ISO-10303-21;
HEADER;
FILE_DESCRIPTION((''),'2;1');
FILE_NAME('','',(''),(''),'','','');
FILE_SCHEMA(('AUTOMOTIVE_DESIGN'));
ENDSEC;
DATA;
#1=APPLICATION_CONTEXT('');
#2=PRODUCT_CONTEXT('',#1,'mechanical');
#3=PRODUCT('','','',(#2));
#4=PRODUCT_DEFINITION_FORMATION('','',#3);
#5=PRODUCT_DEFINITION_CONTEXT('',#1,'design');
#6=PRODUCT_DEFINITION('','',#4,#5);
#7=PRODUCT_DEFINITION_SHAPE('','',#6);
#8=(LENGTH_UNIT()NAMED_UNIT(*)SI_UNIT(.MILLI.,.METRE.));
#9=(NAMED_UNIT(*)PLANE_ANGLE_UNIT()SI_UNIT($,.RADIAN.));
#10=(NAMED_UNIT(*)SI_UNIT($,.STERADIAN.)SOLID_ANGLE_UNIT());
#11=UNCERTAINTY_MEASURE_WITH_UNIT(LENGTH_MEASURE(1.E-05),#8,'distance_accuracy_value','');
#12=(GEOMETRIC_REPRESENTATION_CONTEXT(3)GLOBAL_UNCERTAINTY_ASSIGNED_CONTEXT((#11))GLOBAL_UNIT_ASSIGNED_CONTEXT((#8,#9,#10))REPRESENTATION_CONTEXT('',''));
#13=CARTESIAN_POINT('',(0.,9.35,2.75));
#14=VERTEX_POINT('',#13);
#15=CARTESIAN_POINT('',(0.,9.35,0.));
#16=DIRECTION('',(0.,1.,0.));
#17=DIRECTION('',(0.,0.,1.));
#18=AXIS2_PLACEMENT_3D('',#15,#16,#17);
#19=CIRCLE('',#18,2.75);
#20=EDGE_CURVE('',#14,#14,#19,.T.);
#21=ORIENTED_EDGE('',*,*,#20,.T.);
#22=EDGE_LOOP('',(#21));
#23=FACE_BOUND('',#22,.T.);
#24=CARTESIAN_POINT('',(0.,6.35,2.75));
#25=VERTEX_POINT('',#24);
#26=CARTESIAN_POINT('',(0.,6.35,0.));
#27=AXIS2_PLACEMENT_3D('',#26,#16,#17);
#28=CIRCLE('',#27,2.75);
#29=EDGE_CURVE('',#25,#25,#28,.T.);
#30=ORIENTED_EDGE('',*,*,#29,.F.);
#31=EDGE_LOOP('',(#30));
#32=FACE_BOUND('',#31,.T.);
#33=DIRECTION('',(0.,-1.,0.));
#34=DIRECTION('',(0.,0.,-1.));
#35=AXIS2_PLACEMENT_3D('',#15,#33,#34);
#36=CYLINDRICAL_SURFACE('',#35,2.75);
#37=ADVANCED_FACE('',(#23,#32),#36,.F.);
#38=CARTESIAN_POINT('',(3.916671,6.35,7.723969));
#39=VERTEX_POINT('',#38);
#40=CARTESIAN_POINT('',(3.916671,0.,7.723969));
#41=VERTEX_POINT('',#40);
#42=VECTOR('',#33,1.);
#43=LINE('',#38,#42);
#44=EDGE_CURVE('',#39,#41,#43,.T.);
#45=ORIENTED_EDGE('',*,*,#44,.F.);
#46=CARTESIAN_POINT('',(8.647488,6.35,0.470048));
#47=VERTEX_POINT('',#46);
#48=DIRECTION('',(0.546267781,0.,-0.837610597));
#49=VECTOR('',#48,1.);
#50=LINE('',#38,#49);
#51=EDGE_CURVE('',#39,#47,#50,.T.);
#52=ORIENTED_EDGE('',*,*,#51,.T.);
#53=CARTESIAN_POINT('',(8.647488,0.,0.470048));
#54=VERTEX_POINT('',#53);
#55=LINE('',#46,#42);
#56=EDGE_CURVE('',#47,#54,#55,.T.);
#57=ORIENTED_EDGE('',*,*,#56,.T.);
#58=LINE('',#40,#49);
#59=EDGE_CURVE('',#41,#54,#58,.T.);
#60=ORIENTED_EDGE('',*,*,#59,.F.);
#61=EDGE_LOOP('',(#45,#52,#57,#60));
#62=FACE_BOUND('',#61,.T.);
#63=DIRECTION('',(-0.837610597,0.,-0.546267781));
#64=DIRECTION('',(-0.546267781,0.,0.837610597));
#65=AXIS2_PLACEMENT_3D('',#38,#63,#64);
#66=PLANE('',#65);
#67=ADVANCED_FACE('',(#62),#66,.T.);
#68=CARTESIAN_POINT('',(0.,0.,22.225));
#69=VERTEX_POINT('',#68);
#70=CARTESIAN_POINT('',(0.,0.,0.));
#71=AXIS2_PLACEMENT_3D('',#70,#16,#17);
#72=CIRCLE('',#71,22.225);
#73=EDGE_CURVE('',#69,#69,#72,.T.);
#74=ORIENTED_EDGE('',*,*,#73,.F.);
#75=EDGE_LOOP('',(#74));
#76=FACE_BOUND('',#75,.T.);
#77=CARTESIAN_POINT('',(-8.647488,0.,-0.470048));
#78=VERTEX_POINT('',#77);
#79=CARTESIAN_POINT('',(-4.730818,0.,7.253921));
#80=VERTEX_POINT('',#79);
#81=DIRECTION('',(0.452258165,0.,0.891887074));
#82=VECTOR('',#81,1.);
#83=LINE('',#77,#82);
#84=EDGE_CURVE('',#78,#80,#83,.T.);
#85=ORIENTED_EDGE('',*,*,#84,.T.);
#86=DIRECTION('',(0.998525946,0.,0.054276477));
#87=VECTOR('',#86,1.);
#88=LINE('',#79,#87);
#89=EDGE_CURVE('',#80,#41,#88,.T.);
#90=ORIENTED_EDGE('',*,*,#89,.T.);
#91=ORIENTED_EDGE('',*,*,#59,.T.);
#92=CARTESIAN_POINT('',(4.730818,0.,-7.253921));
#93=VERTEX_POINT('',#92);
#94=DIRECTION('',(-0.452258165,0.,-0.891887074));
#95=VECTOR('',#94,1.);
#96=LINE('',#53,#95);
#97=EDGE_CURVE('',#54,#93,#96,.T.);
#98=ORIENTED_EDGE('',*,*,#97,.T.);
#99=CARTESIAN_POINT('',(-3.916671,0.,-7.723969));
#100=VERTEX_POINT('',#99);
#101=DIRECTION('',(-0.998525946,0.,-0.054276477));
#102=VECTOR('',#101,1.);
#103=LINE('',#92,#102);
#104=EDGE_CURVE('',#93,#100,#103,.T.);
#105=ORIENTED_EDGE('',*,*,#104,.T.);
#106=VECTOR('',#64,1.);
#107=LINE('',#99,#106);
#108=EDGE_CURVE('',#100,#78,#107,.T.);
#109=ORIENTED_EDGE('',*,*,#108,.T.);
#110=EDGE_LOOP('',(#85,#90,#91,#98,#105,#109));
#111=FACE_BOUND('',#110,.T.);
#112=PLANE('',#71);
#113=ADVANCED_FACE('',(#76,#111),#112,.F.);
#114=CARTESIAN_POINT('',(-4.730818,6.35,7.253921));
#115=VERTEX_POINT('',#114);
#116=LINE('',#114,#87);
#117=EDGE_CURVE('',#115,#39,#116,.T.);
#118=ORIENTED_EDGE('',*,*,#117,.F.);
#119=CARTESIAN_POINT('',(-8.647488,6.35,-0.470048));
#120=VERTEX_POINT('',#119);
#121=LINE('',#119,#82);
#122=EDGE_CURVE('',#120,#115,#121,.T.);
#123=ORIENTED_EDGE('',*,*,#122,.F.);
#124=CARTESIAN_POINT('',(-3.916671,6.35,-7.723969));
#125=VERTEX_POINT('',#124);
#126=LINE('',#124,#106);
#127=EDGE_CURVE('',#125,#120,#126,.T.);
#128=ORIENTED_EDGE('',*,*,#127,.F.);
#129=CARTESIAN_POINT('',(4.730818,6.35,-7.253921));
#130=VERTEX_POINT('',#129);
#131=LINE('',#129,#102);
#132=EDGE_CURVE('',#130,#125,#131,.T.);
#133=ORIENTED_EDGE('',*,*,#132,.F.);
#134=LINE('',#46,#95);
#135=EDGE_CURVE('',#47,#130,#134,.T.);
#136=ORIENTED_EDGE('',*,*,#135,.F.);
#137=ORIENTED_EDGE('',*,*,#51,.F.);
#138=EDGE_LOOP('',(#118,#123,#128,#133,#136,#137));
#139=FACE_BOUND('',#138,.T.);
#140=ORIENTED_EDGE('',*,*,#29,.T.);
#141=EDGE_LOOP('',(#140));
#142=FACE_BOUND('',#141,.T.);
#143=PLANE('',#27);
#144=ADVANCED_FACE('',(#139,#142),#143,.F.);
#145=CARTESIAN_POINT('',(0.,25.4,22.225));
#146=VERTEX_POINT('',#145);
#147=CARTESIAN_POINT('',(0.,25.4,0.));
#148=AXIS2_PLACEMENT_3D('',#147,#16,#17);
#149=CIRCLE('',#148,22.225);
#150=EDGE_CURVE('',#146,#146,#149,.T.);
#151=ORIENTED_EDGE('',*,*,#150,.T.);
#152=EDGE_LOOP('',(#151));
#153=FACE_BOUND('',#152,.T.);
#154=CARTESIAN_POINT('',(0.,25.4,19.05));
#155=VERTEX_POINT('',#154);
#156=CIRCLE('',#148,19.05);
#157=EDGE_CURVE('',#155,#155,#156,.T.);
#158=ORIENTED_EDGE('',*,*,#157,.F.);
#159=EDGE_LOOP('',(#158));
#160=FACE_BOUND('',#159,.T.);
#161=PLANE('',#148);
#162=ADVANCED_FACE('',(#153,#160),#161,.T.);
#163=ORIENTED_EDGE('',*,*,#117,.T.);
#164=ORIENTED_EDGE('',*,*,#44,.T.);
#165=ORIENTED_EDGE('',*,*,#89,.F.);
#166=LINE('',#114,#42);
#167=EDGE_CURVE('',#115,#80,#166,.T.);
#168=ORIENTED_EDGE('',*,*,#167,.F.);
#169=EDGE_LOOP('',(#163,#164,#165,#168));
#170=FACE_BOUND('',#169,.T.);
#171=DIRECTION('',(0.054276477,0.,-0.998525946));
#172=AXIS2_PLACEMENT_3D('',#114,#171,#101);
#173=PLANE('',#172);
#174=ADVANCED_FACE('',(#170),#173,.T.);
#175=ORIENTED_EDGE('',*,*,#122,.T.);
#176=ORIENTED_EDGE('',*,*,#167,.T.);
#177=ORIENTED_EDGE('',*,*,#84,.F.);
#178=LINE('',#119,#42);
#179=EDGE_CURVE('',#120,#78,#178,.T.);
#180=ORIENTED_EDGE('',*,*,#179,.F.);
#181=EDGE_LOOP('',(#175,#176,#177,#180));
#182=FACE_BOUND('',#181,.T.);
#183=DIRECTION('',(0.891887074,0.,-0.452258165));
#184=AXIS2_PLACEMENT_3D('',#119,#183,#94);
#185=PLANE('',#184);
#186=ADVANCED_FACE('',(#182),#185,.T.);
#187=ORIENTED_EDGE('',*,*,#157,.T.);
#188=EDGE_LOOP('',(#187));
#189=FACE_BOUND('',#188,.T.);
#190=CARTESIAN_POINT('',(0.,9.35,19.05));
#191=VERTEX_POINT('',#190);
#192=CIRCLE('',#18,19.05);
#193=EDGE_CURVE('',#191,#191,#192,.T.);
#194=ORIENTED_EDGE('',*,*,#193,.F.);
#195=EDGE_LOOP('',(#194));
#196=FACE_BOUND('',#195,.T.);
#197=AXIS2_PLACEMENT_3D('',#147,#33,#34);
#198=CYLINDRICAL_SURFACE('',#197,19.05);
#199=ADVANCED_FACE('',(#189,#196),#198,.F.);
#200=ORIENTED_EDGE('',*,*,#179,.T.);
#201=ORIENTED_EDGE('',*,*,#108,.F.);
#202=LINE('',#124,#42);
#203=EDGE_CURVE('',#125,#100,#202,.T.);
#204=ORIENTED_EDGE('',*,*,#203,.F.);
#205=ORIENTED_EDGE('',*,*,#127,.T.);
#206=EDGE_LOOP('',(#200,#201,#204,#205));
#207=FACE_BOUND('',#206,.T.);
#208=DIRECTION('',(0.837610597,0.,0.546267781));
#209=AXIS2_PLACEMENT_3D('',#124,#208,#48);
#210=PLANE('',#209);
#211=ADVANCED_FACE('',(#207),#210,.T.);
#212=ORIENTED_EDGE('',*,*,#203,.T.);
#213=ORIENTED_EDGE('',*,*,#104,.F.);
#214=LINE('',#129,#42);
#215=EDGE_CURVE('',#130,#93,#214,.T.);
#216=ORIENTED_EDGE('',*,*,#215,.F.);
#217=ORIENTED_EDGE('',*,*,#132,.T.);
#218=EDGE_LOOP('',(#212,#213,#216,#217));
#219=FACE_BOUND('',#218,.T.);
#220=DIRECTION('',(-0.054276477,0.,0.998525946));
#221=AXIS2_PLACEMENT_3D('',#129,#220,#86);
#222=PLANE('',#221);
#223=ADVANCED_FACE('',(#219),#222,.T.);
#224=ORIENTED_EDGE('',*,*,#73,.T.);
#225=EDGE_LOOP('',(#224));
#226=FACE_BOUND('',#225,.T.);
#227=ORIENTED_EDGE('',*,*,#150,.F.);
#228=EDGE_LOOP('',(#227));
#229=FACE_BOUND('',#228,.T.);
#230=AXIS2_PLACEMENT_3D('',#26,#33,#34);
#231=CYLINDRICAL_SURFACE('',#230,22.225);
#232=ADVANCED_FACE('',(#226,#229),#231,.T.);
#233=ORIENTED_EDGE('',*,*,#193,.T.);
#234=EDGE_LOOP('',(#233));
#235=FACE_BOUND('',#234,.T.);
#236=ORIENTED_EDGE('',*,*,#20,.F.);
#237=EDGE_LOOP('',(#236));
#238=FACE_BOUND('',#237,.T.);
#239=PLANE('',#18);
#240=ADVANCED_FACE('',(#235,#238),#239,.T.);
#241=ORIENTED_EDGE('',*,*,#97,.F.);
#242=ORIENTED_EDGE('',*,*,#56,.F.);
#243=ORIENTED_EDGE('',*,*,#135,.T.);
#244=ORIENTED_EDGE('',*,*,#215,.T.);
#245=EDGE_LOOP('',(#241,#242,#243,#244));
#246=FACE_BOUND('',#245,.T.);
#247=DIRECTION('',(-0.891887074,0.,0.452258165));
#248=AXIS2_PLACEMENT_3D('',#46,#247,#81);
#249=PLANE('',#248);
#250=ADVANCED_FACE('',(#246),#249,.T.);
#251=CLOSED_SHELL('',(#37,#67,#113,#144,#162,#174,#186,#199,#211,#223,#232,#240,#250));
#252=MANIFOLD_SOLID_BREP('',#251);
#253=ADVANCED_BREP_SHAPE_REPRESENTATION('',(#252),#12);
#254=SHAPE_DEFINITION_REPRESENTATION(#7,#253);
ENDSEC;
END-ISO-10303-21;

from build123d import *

# Parameters (mm, degrees)
SKETCH1_R           = 22.225
BOSS_EXTRUDE1_DEPTH = 6.35
SKETCH2_R           = 22.225
SKETCH2_R_2         = 19.05
BOSS_EXTRUDE2_DEPTH = 19.05
SKETCH3_R           = 19.05
SKETCH3_R_2         = 2.75
BOSS_EXTRUDE3_DEPTH = 3


with BuildPart() as part:
    # Sketch1 → Boss-Extrude1 (new body)
    with BuildSketch(Plane(origin=(0, 0, 0), x_dir=(1, 0, 0), z_dir=(0, 1, 0))):
        Circle(SKETCH1_R)
        Polygon((4.730817752, 7.253920553), (-3.9166706, 7.723968631), (-8.647488352, 0.470048077), (-4.730817752, -7.253920553), (3.9166706, -7.723968631), (8.647488352, -0.470048077), align=None, mode=Mode.SUBTRACT)
    extrude(amount=BOSS_EXTRUDE1_DEPTH)

    # Sketch2 → Boss-Extrude2 (add)
    with BuildSketch(Plane(origin=(0, 6.35, 0), x_dir=(1, 0, 0), z_dir=(0, 1, 0))):
        Circle(SKETCH2_R)
        Circle(SKETCH2_R_2, mode=Mode.SUBTRACT)
    extrude(amount=BOSS_EXTRUDE2_DEPTH)

    # Sketch3 → Boss-Extrude3 (add)
    with BuildSketch(Plane(origin=(0, 6.35, 0), x_dir=(1, 0, 0), z_dir=(0, 1, 0))):
        Circle(SKETCH3_R)
        Circle(SKETCH3_R_2, mode=Mode.SUBTRACT)
    extrude(amount=BOSS_EXTRUDE3_DEPTH)


solid = part.part
